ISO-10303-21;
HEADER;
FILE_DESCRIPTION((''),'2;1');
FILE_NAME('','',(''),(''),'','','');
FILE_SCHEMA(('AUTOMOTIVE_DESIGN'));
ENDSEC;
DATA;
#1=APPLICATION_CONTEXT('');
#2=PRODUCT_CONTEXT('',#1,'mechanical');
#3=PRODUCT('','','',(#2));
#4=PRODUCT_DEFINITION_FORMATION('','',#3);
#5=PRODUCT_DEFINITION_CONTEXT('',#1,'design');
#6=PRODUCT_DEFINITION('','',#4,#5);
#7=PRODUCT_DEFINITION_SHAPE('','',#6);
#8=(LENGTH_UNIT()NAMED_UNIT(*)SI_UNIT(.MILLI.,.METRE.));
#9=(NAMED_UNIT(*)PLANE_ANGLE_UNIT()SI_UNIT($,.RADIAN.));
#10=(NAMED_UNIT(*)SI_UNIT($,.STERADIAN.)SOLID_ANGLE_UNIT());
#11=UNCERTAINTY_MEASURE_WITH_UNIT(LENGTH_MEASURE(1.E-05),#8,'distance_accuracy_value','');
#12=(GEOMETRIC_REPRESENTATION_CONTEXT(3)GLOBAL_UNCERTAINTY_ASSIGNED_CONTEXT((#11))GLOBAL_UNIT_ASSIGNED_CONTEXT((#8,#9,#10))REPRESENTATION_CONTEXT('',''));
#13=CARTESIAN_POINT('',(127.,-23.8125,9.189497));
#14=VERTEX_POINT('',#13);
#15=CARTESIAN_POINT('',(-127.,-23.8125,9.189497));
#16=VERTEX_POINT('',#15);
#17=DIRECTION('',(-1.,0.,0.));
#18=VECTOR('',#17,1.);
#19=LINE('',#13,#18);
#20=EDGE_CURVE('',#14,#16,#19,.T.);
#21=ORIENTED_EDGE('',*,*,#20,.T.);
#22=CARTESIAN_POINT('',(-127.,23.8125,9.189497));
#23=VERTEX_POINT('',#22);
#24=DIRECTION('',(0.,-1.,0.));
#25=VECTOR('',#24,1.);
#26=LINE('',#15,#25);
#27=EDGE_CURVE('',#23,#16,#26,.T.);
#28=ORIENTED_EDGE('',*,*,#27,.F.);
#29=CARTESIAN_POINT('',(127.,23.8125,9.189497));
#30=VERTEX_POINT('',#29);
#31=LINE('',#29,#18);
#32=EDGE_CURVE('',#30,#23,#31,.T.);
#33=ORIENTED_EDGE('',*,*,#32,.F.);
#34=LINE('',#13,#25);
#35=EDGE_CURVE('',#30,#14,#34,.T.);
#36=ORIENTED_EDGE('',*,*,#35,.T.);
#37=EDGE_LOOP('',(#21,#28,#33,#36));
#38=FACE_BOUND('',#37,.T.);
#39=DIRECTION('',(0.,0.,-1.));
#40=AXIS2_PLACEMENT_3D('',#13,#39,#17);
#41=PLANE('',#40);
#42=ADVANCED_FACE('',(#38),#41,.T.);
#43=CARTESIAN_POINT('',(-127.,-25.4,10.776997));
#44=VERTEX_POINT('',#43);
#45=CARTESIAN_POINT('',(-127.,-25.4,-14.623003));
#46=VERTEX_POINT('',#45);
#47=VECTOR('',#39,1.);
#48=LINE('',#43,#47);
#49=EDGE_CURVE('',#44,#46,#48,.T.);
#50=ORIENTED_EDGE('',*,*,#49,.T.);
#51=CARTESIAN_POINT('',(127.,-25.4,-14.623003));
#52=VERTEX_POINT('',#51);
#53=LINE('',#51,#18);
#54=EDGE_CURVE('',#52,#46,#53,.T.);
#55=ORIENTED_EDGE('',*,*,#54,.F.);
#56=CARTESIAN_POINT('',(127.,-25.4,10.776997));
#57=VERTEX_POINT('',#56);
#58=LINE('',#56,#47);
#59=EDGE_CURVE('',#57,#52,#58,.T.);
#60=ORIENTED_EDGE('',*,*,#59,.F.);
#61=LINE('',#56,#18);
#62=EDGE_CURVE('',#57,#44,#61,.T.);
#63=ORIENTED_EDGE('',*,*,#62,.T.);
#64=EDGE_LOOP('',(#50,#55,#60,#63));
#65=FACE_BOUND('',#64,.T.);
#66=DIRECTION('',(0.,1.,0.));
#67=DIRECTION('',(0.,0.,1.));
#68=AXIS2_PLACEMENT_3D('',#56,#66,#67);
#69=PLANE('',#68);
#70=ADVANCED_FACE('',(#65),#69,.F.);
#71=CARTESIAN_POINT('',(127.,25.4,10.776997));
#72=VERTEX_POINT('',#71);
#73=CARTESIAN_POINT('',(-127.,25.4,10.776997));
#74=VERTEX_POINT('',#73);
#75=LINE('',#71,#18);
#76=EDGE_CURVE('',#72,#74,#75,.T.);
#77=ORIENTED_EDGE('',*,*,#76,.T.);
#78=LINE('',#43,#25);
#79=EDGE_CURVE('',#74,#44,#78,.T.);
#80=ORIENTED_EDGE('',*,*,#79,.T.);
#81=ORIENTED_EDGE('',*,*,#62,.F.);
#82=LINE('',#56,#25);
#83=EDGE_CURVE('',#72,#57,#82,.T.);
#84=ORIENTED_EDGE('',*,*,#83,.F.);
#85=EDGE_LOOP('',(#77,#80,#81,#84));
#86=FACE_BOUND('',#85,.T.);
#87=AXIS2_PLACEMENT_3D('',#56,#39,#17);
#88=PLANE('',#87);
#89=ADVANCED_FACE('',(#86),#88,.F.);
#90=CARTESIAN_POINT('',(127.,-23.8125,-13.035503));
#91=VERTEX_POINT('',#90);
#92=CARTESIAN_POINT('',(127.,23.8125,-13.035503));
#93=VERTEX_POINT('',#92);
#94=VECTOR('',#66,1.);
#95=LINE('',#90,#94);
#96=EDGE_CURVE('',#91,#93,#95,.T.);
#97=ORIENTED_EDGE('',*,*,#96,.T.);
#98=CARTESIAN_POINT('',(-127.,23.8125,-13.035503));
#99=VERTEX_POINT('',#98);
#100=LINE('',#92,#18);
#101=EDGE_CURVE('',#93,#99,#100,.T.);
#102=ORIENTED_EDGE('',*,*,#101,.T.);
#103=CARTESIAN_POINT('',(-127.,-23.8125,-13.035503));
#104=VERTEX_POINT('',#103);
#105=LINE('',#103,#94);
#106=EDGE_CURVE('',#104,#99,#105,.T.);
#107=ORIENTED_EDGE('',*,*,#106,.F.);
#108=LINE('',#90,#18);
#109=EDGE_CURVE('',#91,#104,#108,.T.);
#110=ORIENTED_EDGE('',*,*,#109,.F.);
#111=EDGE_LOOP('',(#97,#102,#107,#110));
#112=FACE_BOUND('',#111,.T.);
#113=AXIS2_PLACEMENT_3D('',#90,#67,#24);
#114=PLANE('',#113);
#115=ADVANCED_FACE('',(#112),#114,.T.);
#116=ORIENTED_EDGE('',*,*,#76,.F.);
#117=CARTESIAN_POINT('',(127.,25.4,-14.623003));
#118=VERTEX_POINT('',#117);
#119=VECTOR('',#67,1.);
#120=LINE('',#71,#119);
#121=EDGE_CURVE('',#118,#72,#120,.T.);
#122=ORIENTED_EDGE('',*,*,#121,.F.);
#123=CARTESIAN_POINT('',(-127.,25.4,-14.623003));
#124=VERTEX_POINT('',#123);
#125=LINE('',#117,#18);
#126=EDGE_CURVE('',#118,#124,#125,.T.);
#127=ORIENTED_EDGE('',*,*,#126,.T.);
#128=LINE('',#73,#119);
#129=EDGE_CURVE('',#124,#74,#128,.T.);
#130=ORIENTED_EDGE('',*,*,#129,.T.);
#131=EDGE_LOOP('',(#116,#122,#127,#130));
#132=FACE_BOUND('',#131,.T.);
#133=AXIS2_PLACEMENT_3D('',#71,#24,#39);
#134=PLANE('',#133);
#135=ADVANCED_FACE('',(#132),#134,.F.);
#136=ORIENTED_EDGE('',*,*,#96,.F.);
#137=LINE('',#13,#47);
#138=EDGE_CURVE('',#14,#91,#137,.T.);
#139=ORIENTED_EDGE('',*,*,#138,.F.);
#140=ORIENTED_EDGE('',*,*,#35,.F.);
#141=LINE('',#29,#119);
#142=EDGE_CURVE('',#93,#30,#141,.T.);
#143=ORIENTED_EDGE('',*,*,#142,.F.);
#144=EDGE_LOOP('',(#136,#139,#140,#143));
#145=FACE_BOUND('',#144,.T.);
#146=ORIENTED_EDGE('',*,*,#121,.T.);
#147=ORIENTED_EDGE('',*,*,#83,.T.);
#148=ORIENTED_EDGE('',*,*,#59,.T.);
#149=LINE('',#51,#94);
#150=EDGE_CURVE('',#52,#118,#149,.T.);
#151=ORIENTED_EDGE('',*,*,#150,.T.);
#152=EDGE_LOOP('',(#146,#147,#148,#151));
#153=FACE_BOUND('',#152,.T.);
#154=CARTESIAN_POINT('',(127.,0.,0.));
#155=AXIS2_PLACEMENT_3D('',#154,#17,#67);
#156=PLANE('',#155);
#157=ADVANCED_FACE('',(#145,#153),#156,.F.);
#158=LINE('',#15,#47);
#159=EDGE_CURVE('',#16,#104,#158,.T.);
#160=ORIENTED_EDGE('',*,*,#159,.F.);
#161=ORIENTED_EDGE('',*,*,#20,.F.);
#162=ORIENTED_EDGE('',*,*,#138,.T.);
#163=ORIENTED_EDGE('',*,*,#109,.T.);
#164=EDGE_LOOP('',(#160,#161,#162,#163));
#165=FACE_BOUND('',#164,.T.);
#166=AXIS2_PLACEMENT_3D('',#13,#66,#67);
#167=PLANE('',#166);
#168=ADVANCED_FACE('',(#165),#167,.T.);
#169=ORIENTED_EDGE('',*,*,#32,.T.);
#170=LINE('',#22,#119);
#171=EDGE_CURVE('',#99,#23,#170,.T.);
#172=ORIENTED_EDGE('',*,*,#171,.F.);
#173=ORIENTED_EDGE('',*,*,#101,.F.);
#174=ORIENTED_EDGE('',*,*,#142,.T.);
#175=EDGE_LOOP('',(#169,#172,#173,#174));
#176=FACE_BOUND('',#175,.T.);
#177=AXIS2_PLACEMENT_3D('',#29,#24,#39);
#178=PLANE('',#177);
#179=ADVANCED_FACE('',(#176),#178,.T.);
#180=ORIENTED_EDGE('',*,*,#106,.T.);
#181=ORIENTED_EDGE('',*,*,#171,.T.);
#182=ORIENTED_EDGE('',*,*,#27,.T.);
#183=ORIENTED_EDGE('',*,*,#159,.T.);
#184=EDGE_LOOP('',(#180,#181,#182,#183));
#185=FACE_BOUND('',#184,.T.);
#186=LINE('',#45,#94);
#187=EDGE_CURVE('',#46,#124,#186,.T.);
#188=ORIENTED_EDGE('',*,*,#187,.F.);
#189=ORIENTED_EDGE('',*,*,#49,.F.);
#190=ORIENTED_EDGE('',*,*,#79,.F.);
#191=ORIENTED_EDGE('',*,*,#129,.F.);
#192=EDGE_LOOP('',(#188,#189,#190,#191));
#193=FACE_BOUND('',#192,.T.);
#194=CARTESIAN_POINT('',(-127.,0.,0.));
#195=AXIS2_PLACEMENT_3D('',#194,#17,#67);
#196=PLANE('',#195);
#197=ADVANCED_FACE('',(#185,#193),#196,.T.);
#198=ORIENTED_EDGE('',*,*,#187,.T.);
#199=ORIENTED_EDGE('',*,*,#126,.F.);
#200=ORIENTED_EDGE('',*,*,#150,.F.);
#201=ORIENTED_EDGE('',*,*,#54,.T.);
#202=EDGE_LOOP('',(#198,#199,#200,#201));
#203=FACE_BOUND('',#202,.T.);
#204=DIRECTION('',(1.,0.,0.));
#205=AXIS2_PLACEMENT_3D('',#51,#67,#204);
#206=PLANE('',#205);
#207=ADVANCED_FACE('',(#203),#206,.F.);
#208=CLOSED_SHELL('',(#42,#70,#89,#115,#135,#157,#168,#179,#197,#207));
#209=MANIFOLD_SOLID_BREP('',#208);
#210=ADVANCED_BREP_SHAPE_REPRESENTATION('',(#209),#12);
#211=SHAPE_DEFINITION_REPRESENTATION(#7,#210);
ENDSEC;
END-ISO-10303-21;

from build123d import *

# Parameters (mm, degrees)
SKETCH1_W           = 25.4
SKETCH1_H           = 50.8
SKETCH1_W_2         = 22.225
SKETCH1_H_2         = 47.625
BOSS_EXTRUDE1_DEPTH = 127


with BuildPart() as part:
    # Sketch1 → Boss-Extrude1 (new, symmetric)
    with BuildSketch(Plane(origin=(0, 0, 0), x_dir=(0, 0, -1), z_dir=(1, 0, 0))):
        with Locations((1.923003206, 0)):
            Rectangle(SKETCH1_W, SKETCH1_H)
        with Locations((1.923003206, 0)):
            Rectangle(SKETCH1_W_2, SKETCH1_H_2, mode=Mode.SUBTRACT)
    extrude(amount=BOSS_EXTRUDE1_DEPTH, both=True)


solid = part.part
